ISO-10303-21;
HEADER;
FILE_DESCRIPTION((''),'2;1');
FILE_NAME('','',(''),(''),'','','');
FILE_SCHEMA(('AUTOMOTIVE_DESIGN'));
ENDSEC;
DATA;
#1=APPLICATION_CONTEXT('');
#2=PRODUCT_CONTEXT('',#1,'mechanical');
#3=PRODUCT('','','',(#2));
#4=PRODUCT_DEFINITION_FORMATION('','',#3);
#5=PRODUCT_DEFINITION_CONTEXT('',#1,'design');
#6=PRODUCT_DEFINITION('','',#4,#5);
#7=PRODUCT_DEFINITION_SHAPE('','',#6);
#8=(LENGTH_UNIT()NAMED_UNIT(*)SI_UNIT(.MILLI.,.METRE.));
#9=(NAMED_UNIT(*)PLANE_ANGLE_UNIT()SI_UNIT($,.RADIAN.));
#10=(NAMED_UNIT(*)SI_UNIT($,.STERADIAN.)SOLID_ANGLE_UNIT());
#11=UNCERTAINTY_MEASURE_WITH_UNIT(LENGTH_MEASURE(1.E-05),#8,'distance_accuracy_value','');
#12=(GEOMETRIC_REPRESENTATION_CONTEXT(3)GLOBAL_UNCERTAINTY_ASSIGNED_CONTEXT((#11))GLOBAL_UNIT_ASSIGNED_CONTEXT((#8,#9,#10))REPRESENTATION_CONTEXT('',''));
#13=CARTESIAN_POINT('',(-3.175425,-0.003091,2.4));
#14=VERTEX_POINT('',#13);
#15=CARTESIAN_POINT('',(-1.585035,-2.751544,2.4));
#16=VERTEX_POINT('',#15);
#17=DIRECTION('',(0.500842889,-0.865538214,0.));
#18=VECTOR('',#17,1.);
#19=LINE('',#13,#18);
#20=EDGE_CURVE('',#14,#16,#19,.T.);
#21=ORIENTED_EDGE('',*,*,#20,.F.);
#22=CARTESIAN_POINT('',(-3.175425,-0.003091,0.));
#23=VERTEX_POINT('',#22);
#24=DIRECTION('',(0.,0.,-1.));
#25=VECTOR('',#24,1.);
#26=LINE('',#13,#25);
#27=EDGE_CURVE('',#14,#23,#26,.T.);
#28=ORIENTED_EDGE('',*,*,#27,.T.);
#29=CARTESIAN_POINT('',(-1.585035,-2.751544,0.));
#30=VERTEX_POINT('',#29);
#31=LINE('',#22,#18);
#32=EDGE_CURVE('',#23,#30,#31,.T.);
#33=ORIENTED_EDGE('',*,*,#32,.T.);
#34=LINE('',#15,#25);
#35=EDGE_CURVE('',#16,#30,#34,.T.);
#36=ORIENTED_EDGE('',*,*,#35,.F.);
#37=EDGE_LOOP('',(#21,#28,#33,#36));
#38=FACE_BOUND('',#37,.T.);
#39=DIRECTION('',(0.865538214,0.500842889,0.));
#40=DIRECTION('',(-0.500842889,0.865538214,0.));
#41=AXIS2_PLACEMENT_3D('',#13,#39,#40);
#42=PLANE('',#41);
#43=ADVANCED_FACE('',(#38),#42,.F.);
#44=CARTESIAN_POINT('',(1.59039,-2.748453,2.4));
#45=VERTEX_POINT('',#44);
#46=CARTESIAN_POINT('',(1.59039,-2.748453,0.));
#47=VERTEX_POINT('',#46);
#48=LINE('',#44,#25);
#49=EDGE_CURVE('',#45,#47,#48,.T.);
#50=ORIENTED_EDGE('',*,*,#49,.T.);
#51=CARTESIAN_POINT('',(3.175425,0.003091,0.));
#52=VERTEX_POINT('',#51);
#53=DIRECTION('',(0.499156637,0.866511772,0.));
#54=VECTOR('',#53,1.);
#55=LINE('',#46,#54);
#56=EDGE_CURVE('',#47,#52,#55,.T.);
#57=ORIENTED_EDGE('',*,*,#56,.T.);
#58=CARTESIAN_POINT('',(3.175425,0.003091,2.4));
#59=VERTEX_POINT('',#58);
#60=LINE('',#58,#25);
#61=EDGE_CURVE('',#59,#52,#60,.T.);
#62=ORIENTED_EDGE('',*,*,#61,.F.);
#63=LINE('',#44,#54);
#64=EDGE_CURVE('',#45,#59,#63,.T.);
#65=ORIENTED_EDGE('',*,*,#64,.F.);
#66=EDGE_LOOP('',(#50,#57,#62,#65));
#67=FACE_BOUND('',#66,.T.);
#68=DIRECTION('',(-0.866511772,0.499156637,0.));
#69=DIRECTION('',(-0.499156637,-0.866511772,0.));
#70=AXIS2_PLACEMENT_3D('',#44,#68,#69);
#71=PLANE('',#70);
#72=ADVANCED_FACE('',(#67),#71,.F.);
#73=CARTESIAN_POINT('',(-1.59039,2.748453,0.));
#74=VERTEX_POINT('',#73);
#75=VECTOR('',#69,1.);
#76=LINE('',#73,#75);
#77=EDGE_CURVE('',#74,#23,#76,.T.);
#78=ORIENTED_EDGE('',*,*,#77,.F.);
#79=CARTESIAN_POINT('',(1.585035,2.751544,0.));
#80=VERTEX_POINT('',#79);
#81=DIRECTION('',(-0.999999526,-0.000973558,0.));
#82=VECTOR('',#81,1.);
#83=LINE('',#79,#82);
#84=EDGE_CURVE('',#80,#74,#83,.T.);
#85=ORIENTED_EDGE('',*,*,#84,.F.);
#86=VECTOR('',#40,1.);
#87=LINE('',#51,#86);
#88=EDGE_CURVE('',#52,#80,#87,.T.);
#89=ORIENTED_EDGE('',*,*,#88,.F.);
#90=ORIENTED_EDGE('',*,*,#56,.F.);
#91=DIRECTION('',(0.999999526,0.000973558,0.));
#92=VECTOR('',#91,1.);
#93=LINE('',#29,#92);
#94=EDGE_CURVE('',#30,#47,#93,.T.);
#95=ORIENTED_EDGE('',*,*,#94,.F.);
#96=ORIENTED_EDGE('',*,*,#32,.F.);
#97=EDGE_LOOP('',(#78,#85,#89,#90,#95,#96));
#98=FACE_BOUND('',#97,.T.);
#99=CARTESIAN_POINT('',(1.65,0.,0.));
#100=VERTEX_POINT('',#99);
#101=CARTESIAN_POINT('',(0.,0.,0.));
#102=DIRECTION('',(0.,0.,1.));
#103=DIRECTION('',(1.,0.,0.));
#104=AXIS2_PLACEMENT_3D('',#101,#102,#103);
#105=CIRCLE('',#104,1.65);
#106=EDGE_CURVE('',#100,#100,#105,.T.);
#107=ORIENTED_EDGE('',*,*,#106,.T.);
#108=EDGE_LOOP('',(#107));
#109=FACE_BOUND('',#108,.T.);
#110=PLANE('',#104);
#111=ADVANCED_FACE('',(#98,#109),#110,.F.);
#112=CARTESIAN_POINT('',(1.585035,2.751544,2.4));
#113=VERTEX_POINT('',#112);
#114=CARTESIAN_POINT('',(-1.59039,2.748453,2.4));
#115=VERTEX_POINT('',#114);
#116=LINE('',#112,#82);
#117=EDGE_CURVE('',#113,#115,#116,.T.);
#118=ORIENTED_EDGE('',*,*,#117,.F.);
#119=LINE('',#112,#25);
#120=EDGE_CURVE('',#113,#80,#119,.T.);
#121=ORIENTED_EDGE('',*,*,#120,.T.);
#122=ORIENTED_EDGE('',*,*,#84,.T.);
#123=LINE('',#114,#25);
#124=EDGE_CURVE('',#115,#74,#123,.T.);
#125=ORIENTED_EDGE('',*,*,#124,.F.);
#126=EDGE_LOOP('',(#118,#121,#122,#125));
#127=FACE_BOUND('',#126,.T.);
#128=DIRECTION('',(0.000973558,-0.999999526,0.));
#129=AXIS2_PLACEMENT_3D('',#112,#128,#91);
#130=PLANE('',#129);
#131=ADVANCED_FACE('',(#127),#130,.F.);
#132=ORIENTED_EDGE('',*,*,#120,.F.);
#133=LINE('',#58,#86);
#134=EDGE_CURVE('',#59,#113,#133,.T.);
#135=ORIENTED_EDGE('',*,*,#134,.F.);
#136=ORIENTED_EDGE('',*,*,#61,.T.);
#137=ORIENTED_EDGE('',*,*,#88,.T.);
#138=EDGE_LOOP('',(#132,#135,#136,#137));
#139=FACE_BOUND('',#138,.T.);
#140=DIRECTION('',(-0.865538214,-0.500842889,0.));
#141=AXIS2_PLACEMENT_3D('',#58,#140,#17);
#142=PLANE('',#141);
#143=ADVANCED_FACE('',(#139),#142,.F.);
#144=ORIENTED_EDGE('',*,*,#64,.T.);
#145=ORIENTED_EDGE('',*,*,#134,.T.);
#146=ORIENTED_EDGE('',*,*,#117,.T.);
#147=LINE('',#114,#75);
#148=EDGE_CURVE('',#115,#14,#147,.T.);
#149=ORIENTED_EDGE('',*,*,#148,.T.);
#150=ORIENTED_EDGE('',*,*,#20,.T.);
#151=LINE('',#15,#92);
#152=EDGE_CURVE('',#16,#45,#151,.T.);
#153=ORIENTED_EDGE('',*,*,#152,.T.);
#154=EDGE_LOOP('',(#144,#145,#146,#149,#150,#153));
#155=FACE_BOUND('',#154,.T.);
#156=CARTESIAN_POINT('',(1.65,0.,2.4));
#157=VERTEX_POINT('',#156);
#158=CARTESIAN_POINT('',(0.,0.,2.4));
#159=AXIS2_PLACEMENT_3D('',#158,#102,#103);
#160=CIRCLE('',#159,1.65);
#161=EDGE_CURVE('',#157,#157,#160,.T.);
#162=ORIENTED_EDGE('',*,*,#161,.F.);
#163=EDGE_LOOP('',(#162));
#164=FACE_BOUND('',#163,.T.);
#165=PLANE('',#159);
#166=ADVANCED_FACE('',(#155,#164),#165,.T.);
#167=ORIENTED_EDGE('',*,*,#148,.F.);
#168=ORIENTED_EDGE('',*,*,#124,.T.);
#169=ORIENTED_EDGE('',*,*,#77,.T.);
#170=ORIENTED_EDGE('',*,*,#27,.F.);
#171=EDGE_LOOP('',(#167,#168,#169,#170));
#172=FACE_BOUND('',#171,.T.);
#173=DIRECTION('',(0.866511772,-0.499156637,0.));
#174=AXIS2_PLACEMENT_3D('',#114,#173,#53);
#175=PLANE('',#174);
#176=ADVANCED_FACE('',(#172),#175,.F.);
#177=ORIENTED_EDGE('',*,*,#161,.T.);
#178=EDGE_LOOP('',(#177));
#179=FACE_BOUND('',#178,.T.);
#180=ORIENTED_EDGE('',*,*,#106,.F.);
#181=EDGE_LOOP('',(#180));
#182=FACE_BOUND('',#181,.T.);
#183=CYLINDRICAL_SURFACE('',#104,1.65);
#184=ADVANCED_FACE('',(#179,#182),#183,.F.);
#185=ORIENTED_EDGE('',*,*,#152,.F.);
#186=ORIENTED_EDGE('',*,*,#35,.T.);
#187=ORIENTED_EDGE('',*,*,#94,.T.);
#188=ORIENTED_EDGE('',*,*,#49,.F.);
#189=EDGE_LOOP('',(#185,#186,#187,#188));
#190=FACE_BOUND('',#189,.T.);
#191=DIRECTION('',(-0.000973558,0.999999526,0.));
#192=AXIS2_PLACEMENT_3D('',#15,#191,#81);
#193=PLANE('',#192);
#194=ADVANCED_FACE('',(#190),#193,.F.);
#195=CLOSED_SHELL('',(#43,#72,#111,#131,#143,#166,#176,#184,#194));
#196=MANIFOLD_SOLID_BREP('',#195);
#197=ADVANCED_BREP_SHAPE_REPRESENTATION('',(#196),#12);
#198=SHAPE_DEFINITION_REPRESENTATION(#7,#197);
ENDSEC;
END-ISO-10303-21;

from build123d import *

# Parameters (mm, degrees)
P_IDAT_VYSUNUT_M1_DEPTH  = 2.4
SKICA2_R                 = 1.65
ODEBRAT_VYSUNUT_M1_DEPTH = 2.4


with BuildPart() as part:
    # Skica1 → Přidat vysunutím1 (new body)
    with BuildSketch(Plane.XY):
        Polygon((1.585035203, 2.751544428), (-1.590389773, 2.748452966), (-3.175424976, -0.003091462), (-1.585035203, -2.751544428), (1.590389773, -2.748452966), (3.175424976, 0.003091462), align=None)
    extrude(amount=P_IDAT_VYSUNUT_M1_DEPTH)

    # Skica2 → Odebrat vysunutím1 (cut)
    with BuildSketch(Plane.XY.offset(2.4)):
        Circle(SKICA2_R)
    extrude(amount=-ODEBRAT_VYSUNUT_M1_DEPTH, mode=Mode.SUBTRACT)


solid = part.part
